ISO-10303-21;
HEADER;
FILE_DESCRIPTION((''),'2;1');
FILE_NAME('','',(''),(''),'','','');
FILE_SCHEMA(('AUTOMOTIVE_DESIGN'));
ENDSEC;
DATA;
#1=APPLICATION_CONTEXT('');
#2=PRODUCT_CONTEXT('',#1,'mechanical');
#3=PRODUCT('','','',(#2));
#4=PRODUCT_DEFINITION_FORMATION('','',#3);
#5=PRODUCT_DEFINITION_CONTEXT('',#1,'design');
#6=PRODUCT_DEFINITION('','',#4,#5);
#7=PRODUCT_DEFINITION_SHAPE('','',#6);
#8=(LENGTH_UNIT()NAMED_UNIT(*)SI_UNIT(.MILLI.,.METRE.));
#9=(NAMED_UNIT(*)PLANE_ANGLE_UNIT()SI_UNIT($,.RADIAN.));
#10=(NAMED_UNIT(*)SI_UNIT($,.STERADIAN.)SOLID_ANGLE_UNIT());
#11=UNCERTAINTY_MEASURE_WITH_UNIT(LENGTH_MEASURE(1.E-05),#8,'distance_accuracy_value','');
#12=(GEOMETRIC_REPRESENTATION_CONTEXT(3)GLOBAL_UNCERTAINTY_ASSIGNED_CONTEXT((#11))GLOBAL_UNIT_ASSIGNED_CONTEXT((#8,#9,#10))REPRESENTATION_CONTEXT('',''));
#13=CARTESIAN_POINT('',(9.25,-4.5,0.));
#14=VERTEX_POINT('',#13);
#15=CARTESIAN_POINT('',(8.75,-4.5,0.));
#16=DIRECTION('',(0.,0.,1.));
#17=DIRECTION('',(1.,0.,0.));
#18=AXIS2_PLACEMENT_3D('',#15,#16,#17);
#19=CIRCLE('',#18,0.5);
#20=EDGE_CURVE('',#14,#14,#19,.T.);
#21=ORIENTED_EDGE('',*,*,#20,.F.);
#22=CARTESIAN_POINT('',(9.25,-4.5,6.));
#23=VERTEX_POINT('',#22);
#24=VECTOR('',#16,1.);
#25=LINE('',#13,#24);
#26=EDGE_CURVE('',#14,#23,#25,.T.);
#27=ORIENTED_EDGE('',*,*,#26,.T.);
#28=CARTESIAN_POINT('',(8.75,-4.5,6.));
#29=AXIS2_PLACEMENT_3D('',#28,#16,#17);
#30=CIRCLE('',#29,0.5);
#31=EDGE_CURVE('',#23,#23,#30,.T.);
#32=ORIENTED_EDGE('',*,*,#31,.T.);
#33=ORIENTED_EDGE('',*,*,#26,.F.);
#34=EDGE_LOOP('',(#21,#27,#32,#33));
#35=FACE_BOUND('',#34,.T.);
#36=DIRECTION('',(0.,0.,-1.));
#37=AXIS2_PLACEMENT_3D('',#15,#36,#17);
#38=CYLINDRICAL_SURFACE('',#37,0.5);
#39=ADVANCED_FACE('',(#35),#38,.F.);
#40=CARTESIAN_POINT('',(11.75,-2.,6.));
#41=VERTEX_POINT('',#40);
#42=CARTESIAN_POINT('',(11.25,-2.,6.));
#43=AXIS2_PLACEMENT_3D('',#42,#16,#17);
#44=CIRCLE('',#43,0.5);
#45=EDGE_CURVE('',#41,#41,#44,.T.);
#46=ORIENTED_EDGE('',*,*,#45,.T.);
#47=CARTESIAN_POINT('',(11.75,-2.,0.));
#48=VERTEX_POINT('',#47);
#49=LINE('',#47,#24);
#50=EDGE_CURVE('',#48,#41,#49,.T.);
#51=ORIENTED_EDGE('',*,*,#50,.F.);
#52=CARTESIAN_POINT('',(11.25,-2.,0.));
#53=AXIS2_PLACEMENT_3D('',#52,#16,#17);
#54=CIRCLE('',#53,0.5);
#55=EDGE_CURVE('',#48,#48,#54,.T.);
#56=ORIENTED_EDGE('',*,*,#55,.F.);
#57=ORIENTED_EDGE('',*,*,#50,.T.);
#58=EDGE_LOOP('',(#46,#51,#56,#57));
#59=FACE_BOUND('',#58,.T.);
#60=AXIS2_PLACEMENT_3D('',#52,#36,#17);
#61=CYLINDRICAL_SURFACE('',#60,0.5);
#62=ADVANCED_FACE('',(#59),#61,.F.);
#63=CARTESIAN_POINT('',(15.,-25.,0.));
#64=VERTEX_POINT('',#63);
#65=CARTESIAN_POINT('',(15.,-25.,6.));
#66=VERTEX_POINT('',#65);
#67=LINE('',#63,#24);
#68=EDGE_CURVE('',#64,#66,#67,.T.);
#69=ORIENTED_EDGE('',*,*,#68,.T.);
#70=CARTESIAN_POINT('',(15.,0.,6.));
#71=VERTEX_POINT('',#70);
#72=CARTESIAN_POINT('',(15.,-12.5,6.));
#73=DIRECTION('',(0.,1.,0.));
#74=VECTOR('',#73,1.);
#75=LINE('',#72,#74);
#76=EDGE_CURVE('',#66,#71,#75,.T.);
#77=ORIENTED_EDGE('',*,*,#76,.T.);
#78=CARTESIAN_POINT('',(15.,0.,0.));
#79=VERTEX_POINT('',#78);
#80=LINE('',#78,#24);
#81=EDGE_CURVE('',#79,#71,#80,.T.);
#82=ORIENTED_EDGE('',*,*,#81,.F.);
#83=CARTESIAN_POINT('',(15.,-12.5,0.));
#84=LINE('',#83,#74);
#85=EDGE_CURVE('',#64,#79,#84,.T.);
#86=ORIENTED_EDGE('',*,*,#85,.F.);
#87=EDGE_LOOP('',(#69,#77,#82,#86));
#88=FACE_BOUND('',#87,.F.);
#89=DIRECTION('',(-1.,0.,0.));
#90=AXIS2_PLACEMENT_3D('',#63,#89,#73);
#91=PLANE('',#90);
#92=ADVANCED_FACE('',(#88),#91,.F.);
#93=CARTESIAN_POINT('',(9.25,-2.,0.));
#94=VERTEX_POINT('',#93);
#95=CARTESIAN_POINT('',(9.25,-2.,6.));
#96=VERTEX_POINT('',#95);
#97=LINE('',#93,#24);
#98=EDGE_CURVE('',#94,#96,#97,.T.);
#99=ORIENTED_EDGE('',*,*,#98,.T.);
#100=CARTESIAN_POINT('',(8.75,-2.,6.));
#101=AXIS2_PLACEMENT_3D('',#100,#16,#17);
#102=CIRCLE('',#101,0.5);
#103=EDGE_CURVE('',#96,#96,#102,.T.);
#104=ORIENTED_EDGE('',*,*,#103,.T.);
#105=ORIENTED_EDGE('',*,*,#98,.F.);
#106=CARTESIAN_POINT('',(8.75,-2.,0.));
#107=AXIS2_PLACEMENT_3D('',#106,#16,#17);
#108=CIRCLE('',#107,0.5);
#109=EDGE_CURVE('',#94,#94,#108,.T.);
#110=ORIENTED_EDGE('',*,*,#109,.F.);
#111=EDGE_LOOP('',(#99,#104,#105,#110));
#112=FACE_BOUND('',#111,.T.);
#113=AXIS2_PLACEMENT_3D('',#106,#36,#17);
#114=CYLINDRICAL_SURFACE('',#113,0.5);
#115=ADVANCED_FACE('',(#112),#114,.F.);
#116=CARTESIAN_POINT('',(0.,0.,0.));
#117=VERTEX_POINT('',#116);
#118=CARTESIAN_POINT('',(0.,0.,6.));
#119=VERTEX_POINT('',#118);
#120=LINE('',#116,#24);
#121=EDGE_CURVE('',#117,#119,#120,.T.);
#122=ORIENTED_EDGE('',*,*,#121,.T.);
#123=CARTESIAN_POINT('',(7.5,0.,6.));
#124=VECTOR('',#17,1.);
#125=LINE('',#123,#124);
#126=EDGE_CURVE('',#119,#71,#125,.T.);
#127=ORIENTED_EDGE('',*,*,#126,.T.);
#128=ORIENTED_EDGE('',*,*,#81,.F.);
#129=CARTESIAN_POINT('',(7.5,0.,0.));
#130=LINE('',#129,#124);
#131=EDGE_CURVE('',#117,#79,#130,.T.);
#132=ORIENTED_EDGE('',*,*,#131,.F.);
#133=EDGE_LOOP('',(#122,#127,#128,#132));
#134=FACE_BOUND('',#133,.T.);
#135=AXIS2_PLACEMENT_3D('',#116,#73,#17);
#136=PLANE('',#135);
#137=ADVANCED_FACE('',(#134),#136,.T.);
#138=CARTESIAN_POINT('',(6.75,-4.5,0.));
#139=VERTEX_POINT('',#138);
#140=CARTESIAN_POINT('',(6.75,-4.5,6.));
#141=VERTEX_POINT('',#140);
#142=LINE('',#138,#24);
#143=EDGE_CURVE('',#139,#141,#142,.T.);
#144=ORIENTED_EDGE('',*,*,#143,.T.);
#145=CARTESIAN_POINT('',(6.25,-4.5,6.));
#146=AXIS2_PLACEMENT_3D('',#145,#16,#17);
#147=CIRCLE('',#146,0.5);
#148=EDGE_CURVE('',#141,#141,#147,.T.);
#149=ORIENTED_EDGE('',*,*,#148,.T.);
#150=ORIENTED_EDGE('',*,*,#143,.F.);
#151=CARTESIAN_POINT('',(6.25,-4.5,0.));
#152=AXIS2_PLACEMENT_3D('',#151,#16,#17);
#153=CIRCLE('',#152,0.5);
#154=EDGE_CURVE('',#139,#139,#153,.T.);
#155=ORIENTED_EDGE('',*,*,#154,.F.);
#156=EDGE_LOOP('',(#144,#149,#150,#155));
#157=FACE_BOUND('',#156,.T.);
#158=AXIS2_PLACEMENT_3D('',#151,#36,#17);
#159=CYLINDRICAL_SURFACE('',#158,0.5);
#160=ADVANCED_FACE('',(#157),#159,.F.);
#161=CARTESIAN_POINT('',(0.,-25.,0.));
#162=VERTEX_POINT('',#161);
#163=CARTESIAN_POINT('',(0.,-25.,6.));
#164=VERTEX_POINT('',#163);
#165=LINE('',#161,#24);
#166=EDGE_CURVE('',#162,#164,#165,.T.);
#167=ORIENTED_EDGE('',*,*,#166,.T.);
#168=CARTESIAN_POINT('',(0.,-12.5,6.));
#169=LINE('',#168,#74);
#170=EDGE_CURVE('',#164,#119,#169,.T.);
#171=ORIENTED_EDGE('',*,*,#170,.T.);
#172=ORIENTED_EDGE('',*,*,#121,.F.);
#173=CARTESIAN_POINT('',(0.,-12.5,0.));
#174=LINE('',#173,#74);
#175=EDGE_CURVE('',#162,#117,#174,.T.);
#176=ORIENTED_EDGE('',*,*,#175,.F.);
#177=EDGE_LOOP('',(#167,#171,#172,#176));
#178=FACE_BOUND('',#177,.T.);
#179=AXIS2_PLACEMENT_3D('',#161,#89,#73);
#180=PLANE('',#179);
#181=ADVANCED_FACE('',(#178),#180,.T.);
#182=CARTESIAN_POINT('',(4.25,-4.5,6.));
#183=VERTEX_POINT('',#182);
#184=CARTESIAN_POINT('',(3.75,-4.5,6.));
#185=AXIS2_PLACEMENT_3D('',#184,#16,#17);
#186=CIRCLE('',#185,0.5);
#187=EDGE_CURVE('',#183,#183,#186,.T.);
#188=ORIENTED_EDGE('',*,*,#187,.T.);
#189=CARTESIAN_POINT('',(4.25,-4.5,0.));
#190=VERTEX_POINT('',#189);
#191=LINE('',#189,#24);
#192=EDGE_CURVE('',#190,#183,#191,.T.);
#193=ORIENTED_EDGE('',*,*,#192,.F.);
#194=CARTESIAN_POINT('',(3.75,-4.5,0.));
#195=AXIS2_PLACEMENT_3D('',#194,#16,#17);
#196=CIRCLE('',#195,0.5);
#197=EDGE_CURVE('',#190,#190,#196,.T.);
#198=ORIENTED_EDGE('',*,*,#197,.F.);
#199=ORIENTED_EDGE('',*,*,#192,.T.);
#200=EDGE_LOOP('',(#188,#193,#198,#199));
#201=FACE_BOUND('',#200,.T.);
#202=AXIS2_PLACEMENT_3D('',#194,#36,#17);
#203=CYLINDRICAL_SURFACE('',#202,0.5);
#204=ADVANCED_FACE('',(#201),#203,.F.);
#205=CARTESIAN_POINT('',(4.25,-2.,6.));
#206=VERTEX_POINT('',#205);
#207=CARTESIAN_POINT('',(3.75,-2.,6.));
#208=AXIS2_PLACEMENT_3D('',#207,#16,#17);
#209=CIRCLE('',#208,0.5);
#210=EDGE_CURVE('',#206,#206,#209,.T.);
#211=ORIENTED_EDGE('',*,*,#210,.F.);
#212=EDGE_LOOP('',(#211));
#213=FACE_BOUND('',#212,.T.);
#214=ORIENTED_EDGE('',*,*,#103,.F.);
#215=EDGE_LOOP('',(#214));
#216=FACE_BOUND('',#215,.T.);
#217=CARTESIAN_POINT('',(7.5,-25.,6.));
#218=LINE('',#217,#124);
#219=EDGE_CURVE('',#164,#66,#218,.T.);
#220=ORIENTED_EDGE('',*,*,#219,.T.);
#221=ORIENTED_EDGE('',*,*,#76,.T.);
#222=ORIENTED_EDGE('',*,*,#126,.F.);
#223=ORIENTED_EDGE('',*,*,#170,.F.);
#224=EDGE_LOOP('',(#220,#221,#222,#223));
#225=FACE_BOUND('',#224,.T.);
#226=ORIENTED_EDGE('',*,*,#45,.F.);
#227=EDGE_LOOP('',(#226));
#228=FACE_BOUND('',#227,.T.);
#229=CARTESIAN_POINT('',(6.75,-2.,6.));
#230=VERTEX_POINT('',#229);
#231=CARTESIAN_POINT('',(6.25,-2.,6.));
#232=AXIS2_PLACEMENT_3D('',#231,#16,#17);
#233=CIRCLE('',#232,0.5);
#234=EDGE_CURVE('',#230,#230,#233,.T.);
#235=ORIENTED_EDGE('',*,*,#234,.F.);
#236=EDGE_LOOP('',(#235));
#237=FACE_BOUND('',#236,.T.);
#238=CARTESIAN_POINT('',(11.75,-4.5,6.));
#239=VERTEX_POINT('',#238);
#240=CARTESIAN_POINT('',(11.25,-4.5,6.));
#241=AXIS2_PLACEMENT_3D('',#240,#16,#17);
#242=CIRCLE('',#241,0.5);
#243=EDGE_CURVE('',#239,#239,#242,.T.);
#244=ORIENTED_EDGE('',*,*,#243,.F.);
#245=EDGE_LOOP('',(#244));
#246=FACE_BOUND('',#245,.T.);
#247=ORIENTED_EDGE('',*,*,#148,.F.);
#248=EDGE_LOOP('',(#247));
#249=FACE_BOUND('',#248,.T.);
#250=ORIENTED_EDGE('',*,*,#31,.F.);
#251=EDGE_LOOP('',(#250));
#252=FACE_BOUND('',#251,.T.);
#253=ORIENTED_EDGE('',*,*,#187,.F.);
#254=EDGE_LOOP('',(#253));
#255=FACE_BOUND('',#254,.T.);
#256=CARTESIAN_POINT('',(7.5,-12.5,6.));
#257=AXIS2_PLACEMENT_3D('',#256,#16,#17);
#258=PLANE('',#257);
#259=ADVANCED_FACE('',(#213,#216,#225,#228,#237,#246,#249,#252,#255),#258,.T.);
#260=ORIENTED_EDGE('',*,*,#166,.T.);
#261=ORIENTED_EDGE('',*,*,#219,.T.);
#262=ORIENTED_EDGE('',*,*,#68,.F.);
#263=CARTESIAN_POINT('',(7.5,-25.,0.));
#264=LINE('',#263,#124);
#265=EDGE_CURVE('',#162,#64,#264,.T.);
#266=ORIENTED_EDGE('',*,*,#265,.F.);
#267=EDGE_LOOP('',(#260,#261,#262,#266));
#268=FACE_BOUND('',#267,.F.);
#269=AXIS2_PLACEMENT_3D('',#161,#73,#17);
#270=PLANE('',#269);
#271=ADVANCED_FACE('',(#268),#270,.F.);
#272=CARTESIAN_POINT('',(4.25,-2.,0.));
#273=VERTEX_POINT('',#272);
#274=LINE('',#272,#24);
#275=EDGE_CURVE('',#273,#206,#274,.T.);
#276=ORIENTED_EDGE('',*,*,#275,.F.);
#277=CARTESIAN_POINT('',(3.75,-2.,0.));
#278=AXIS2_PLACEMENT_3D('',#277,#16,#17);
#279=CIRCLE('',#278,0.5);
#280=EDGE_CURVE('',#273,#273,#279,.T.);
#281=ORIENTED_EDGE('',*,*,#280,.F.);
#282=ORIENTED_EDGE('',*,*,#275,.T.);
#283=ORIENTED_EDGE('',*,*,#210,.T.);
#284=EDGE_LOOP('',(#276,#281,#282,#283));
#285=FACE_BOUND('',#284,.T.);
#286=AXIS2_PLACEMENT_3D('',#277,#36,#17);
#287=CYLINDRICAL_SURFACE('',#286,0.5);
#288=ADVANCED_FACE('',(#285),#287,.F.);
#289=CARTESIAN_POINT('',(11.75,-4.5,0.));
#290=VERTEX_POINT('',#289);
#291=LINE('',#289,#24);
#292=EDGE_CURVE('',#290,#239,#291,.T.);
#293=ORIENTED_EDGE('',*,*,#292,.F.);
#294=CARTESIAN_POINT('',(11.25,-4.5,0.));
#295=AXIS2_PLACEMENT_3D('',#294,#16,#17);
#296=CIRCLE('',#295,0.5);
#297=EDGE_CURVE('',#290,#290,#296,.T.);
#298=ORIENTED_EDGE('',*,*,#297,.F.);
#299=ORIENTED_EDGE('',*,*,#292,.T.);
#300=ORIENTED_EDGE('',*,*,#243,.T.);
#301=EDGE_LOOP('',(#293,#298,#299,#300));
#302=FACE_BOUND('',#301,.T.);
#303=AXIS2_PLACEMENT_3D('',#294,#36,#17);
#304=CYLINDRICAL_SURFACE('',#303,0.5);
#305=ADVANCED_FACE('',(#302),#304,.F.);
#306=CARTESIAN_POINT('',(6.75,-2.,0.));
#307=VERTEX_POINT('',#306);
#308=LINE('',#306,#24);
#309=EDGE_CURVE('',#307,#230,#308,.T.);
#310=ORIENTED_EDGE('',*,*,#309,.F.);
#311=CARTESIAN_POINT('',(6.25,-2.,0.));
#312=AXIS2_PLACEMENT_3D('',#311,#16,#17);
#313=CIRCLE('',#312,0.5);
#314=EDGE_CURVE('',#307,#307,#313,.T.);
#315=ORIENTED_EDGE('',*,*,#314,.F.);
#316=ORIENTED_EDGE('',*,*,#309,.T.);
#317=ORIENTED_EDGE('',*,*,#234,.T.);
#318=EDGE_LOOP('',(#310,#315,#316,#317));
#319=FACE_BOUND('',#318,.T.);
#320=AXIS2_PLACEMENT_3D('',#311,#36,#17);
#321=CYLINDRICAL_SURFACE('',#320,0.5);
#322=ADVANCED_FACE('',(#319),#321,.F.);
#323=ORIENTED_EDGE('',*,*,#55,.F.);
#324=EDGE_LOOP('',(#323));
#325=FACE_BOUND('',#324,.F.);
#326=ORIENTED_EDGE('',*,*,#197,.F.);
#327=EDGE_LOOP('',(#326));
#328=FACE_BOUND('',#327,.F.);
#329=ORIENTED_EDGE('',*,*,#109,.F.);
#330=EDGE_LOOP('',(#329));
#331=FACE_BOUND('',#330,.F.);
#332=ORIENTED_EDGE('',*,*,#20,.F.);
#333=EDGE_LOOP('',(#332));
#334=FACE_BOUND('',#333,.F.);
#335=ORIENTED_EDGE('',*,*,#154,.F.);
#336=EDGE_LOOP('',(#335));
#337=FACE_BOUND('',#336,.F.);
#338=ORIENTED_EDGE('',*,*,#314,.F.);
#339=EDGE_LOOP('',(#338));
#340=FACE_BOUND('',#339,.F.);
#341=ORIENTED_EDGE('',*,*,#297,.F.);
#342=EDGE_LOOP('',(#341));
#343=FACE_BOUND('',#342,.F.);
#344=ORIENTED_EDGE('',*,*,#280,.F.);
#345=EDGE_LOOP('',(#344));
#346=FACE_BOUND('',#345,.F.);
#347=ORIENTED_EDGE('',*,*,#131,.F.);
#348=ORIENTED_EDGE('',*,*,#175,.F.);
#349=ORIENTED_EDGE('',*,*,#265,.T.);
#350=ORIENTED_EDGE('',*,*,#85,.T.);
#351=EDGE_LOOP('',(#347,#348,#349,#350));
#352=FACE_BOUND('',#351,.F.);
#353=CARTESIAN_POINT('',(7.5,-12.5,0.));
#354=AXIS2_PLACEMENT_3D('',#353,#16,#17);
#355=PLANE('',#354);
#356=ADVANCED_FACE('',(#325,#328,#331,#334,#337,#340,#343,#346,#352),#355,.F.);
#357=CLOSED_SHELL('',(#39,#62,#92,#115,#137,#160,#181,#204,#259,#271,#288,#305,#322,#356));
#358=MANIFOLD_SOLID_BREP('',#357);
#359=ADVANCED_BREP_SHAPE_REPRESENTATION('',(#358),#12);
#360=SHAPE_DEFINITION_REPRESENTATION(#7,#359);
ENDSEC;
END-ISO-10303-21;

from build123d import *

# Parameters (mm, degrees)
SKETCH_W  = 15
SKETCH_H  = 25
SKETCH_R  = 0.5
PAD_DEPTH = 6


with BuildPart() as part:
    # Sketch → Pad (new body)
    with BuildSketch(Plane.XY):
        with Locations((7.5, -12.5)):
            Rectangle(SKETCH_W, SKETCH_H)
        with Locations((3.75, -2)):
            Circle(SKETCH_R, mode=Mode.SUBTRACT)
        with Locations((3.75, -4.5)):
            Circle(SKETCH_R, mode=Mode.SUBTRACT)
        with Locations((6.25, -2)):
            Circle(SKETCH_R, mode=Mode.SUBTRACT)
        with Locations((6.25, -4.5)):
            Circle(SKETCH_R, mode=Mode.SUBTRACT)
        with Locations((8.75, -2)):
            Circle(SKETCH_R, mode=Mode.SUBTRACT)
        with Locations((8.75, -4.5)):
            Circle(SKETCH_R, mode=Mode.SUBTRACT)
        with Locations((11.25, -2)):
            Circle(SKETCH_R, mode=Mode.SUBTRACT)
        with Locations((11.25, -4.5)):
            Circle(SKETCH_R, mode=Mode.SUBTRACT)
    extrude(amount=PAD_DEPTH)


solid = part.part
